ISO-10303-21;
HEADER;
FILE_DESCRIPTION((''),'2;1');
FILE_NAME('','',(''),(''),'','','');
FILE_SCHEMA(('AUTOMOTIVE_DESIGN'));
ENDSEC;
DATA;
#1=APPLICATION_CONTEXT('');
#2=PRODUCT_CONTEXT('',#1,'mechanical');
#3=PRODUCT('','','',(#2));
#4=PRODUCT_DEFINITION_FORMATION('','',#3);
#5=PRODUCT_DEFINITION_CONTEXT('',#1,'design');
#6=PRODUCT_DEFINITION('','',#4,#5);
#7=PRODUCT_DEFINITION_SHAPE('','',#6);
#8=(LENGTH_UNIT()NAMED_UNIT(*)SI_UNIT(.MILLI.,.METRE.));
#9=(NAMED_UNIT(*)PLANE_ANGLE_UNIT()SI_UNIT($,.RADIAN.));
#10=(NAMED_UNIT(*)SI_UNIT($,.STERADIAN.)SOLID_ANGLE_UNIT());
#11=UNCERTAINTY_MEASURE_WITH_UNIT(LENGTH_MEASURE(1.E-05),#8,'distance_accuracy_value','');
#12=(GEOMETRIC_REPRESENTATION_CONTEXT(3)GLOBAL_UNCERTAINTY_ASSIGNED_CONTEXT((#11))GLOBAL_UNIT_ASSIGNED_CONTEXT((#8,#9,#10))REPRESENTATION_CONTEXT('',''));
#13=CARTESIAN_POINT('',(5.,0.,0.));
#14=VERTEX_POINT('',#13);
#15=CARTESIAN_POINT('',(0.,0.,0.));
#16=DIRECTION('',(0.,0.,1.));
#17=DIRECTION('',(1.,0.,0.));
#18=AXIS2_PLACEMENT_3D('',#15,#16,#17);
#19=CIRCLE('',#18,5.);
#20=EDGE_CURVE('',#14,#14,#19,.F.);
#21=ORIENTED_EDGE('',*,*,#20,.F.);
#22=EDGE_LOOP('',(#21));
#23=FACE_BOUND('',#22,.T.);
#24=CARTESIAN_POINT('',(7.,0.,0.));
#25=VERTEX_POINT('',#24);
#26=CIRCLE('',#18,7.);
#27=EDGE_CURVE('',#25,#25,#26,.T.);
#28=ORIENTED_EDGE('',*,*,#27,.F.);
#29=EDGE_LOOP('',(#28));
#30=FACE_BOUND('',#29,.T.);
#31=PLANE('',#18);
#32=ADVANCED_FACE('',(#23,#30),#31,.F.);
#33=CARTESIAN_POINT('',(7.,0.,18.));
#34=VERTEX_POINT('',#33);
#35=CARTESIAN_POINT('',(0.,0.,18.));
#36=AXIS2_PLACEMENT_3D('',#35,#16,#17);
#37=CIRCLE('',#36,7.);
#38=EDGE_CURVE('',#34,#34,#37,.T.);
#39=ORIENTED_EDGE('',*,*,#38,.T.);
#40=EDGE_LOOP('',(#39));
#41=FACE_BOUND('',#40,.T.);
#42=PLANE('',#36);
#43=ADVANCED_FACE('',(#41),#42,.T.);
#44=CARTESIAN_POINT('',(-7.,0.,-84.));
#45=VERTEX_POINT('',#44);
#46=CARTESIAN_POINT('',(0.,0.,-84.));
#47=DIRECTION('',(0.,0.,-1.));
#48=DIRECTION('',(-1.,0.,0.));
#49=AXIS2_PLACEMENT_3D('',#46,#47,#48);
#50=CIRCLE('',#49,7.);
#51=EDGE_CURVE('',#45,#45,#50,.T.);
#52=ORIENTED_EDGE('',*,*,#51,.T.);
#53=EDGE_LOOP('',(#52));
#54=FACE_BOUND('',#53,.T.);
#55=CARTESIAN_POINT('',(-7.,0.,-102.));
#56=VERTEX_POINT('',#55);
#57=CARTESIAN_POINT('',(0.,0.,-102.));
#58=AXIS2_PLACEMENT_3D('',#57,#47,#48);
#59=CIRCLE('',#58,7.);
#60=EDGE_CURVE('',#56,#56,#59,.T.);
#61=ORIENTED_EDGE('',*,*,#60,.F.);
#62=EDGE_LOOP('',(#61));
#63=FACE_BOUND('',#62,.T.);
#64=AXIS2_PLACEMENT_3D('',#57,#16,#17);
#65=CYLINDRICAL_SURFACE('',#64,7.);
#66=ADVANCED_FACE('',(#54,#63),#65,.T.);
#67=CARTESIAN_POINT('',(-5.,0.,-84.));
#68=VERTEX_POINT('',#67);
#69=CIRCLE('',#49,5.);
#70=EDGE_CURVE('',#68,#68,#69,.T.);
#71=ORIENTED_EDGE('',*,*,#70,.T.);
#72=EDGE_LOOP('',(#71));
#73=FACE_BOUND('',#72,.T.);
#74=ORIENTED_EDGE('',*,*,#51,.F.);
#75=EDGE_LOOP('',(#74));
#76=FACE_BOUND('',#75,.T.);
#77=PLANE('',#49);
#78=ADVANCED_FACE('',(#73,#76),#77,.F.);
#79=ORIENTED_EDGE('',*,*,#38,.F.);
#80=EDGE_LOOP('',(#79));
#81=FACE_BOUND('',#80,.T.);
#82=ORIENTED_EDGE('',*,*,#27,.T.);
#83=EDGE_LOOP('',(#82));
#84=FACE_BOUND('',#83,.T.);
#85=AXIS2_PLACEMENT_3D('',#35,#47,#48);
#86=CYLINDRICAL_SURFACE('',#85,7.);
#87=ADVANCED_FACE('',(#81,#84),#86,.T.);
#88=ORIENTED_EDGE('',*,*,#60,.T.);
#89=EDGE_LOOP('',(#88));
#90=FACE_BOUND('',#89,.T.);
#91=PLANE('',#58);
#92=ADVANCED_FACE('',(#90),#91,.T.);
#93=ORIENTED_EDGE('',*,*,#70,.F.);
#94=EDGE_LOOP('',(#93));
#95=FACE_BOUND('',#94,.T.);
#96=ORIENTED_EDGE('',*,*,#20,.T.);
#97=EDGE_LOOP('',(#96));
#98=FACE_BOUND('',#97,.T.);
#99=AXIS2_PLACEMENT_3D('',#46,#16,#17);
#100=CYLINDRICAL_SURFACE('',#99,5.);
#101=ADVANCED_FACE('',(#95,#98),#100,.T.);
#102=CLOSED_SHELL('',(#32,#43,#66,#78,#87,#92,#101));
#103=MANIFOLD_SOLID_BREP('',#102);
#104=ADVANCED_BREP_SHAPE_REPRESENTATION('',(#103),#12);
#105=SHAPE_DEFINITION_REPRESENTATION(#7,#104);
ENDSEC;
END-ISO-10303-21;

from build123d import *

# Parameters (mm, degrees)
SKETCH_1_R      = 7
EXTRUDE_1_DEPTH = 18
SKETCH_2_R      = 5
EXTRUDE_2_DEPTH = 84
SKETCH_3_R      = 7
EXTRUDE_3_DEPTH = 18


with BuildPart() as part:
    # 草图1 → 凸台-拉伸1 (new body)
    with BuildSketch(Plane.XY):
        Circle(SKETCH_1_R)
    extrude(amount=EXTRUDE_1_DEPTH)

    # 草图2 → 凸台-拉伸2 (add)
    with BuildSketch(Plane(origin=(0, 0, 0), x_dir=(-1, 0, 0), z_dir=(0, 0, -1))):
        Circle(SKETCH_2_R)
    extrude(amount=EXTRUDE_2_DEPTH)

    # 草图3 → 凸台-拉伸3 (add)
    with BuildSketch(Plane(origin=(0, 0, -84), x_dir=(-1, 0, 0), z_dir=(0, 0, -1))):
        Circle(SKETCH_3_R)
    extrude(amount=EXTRUDE_3_DEPTH)


solid = part.part
